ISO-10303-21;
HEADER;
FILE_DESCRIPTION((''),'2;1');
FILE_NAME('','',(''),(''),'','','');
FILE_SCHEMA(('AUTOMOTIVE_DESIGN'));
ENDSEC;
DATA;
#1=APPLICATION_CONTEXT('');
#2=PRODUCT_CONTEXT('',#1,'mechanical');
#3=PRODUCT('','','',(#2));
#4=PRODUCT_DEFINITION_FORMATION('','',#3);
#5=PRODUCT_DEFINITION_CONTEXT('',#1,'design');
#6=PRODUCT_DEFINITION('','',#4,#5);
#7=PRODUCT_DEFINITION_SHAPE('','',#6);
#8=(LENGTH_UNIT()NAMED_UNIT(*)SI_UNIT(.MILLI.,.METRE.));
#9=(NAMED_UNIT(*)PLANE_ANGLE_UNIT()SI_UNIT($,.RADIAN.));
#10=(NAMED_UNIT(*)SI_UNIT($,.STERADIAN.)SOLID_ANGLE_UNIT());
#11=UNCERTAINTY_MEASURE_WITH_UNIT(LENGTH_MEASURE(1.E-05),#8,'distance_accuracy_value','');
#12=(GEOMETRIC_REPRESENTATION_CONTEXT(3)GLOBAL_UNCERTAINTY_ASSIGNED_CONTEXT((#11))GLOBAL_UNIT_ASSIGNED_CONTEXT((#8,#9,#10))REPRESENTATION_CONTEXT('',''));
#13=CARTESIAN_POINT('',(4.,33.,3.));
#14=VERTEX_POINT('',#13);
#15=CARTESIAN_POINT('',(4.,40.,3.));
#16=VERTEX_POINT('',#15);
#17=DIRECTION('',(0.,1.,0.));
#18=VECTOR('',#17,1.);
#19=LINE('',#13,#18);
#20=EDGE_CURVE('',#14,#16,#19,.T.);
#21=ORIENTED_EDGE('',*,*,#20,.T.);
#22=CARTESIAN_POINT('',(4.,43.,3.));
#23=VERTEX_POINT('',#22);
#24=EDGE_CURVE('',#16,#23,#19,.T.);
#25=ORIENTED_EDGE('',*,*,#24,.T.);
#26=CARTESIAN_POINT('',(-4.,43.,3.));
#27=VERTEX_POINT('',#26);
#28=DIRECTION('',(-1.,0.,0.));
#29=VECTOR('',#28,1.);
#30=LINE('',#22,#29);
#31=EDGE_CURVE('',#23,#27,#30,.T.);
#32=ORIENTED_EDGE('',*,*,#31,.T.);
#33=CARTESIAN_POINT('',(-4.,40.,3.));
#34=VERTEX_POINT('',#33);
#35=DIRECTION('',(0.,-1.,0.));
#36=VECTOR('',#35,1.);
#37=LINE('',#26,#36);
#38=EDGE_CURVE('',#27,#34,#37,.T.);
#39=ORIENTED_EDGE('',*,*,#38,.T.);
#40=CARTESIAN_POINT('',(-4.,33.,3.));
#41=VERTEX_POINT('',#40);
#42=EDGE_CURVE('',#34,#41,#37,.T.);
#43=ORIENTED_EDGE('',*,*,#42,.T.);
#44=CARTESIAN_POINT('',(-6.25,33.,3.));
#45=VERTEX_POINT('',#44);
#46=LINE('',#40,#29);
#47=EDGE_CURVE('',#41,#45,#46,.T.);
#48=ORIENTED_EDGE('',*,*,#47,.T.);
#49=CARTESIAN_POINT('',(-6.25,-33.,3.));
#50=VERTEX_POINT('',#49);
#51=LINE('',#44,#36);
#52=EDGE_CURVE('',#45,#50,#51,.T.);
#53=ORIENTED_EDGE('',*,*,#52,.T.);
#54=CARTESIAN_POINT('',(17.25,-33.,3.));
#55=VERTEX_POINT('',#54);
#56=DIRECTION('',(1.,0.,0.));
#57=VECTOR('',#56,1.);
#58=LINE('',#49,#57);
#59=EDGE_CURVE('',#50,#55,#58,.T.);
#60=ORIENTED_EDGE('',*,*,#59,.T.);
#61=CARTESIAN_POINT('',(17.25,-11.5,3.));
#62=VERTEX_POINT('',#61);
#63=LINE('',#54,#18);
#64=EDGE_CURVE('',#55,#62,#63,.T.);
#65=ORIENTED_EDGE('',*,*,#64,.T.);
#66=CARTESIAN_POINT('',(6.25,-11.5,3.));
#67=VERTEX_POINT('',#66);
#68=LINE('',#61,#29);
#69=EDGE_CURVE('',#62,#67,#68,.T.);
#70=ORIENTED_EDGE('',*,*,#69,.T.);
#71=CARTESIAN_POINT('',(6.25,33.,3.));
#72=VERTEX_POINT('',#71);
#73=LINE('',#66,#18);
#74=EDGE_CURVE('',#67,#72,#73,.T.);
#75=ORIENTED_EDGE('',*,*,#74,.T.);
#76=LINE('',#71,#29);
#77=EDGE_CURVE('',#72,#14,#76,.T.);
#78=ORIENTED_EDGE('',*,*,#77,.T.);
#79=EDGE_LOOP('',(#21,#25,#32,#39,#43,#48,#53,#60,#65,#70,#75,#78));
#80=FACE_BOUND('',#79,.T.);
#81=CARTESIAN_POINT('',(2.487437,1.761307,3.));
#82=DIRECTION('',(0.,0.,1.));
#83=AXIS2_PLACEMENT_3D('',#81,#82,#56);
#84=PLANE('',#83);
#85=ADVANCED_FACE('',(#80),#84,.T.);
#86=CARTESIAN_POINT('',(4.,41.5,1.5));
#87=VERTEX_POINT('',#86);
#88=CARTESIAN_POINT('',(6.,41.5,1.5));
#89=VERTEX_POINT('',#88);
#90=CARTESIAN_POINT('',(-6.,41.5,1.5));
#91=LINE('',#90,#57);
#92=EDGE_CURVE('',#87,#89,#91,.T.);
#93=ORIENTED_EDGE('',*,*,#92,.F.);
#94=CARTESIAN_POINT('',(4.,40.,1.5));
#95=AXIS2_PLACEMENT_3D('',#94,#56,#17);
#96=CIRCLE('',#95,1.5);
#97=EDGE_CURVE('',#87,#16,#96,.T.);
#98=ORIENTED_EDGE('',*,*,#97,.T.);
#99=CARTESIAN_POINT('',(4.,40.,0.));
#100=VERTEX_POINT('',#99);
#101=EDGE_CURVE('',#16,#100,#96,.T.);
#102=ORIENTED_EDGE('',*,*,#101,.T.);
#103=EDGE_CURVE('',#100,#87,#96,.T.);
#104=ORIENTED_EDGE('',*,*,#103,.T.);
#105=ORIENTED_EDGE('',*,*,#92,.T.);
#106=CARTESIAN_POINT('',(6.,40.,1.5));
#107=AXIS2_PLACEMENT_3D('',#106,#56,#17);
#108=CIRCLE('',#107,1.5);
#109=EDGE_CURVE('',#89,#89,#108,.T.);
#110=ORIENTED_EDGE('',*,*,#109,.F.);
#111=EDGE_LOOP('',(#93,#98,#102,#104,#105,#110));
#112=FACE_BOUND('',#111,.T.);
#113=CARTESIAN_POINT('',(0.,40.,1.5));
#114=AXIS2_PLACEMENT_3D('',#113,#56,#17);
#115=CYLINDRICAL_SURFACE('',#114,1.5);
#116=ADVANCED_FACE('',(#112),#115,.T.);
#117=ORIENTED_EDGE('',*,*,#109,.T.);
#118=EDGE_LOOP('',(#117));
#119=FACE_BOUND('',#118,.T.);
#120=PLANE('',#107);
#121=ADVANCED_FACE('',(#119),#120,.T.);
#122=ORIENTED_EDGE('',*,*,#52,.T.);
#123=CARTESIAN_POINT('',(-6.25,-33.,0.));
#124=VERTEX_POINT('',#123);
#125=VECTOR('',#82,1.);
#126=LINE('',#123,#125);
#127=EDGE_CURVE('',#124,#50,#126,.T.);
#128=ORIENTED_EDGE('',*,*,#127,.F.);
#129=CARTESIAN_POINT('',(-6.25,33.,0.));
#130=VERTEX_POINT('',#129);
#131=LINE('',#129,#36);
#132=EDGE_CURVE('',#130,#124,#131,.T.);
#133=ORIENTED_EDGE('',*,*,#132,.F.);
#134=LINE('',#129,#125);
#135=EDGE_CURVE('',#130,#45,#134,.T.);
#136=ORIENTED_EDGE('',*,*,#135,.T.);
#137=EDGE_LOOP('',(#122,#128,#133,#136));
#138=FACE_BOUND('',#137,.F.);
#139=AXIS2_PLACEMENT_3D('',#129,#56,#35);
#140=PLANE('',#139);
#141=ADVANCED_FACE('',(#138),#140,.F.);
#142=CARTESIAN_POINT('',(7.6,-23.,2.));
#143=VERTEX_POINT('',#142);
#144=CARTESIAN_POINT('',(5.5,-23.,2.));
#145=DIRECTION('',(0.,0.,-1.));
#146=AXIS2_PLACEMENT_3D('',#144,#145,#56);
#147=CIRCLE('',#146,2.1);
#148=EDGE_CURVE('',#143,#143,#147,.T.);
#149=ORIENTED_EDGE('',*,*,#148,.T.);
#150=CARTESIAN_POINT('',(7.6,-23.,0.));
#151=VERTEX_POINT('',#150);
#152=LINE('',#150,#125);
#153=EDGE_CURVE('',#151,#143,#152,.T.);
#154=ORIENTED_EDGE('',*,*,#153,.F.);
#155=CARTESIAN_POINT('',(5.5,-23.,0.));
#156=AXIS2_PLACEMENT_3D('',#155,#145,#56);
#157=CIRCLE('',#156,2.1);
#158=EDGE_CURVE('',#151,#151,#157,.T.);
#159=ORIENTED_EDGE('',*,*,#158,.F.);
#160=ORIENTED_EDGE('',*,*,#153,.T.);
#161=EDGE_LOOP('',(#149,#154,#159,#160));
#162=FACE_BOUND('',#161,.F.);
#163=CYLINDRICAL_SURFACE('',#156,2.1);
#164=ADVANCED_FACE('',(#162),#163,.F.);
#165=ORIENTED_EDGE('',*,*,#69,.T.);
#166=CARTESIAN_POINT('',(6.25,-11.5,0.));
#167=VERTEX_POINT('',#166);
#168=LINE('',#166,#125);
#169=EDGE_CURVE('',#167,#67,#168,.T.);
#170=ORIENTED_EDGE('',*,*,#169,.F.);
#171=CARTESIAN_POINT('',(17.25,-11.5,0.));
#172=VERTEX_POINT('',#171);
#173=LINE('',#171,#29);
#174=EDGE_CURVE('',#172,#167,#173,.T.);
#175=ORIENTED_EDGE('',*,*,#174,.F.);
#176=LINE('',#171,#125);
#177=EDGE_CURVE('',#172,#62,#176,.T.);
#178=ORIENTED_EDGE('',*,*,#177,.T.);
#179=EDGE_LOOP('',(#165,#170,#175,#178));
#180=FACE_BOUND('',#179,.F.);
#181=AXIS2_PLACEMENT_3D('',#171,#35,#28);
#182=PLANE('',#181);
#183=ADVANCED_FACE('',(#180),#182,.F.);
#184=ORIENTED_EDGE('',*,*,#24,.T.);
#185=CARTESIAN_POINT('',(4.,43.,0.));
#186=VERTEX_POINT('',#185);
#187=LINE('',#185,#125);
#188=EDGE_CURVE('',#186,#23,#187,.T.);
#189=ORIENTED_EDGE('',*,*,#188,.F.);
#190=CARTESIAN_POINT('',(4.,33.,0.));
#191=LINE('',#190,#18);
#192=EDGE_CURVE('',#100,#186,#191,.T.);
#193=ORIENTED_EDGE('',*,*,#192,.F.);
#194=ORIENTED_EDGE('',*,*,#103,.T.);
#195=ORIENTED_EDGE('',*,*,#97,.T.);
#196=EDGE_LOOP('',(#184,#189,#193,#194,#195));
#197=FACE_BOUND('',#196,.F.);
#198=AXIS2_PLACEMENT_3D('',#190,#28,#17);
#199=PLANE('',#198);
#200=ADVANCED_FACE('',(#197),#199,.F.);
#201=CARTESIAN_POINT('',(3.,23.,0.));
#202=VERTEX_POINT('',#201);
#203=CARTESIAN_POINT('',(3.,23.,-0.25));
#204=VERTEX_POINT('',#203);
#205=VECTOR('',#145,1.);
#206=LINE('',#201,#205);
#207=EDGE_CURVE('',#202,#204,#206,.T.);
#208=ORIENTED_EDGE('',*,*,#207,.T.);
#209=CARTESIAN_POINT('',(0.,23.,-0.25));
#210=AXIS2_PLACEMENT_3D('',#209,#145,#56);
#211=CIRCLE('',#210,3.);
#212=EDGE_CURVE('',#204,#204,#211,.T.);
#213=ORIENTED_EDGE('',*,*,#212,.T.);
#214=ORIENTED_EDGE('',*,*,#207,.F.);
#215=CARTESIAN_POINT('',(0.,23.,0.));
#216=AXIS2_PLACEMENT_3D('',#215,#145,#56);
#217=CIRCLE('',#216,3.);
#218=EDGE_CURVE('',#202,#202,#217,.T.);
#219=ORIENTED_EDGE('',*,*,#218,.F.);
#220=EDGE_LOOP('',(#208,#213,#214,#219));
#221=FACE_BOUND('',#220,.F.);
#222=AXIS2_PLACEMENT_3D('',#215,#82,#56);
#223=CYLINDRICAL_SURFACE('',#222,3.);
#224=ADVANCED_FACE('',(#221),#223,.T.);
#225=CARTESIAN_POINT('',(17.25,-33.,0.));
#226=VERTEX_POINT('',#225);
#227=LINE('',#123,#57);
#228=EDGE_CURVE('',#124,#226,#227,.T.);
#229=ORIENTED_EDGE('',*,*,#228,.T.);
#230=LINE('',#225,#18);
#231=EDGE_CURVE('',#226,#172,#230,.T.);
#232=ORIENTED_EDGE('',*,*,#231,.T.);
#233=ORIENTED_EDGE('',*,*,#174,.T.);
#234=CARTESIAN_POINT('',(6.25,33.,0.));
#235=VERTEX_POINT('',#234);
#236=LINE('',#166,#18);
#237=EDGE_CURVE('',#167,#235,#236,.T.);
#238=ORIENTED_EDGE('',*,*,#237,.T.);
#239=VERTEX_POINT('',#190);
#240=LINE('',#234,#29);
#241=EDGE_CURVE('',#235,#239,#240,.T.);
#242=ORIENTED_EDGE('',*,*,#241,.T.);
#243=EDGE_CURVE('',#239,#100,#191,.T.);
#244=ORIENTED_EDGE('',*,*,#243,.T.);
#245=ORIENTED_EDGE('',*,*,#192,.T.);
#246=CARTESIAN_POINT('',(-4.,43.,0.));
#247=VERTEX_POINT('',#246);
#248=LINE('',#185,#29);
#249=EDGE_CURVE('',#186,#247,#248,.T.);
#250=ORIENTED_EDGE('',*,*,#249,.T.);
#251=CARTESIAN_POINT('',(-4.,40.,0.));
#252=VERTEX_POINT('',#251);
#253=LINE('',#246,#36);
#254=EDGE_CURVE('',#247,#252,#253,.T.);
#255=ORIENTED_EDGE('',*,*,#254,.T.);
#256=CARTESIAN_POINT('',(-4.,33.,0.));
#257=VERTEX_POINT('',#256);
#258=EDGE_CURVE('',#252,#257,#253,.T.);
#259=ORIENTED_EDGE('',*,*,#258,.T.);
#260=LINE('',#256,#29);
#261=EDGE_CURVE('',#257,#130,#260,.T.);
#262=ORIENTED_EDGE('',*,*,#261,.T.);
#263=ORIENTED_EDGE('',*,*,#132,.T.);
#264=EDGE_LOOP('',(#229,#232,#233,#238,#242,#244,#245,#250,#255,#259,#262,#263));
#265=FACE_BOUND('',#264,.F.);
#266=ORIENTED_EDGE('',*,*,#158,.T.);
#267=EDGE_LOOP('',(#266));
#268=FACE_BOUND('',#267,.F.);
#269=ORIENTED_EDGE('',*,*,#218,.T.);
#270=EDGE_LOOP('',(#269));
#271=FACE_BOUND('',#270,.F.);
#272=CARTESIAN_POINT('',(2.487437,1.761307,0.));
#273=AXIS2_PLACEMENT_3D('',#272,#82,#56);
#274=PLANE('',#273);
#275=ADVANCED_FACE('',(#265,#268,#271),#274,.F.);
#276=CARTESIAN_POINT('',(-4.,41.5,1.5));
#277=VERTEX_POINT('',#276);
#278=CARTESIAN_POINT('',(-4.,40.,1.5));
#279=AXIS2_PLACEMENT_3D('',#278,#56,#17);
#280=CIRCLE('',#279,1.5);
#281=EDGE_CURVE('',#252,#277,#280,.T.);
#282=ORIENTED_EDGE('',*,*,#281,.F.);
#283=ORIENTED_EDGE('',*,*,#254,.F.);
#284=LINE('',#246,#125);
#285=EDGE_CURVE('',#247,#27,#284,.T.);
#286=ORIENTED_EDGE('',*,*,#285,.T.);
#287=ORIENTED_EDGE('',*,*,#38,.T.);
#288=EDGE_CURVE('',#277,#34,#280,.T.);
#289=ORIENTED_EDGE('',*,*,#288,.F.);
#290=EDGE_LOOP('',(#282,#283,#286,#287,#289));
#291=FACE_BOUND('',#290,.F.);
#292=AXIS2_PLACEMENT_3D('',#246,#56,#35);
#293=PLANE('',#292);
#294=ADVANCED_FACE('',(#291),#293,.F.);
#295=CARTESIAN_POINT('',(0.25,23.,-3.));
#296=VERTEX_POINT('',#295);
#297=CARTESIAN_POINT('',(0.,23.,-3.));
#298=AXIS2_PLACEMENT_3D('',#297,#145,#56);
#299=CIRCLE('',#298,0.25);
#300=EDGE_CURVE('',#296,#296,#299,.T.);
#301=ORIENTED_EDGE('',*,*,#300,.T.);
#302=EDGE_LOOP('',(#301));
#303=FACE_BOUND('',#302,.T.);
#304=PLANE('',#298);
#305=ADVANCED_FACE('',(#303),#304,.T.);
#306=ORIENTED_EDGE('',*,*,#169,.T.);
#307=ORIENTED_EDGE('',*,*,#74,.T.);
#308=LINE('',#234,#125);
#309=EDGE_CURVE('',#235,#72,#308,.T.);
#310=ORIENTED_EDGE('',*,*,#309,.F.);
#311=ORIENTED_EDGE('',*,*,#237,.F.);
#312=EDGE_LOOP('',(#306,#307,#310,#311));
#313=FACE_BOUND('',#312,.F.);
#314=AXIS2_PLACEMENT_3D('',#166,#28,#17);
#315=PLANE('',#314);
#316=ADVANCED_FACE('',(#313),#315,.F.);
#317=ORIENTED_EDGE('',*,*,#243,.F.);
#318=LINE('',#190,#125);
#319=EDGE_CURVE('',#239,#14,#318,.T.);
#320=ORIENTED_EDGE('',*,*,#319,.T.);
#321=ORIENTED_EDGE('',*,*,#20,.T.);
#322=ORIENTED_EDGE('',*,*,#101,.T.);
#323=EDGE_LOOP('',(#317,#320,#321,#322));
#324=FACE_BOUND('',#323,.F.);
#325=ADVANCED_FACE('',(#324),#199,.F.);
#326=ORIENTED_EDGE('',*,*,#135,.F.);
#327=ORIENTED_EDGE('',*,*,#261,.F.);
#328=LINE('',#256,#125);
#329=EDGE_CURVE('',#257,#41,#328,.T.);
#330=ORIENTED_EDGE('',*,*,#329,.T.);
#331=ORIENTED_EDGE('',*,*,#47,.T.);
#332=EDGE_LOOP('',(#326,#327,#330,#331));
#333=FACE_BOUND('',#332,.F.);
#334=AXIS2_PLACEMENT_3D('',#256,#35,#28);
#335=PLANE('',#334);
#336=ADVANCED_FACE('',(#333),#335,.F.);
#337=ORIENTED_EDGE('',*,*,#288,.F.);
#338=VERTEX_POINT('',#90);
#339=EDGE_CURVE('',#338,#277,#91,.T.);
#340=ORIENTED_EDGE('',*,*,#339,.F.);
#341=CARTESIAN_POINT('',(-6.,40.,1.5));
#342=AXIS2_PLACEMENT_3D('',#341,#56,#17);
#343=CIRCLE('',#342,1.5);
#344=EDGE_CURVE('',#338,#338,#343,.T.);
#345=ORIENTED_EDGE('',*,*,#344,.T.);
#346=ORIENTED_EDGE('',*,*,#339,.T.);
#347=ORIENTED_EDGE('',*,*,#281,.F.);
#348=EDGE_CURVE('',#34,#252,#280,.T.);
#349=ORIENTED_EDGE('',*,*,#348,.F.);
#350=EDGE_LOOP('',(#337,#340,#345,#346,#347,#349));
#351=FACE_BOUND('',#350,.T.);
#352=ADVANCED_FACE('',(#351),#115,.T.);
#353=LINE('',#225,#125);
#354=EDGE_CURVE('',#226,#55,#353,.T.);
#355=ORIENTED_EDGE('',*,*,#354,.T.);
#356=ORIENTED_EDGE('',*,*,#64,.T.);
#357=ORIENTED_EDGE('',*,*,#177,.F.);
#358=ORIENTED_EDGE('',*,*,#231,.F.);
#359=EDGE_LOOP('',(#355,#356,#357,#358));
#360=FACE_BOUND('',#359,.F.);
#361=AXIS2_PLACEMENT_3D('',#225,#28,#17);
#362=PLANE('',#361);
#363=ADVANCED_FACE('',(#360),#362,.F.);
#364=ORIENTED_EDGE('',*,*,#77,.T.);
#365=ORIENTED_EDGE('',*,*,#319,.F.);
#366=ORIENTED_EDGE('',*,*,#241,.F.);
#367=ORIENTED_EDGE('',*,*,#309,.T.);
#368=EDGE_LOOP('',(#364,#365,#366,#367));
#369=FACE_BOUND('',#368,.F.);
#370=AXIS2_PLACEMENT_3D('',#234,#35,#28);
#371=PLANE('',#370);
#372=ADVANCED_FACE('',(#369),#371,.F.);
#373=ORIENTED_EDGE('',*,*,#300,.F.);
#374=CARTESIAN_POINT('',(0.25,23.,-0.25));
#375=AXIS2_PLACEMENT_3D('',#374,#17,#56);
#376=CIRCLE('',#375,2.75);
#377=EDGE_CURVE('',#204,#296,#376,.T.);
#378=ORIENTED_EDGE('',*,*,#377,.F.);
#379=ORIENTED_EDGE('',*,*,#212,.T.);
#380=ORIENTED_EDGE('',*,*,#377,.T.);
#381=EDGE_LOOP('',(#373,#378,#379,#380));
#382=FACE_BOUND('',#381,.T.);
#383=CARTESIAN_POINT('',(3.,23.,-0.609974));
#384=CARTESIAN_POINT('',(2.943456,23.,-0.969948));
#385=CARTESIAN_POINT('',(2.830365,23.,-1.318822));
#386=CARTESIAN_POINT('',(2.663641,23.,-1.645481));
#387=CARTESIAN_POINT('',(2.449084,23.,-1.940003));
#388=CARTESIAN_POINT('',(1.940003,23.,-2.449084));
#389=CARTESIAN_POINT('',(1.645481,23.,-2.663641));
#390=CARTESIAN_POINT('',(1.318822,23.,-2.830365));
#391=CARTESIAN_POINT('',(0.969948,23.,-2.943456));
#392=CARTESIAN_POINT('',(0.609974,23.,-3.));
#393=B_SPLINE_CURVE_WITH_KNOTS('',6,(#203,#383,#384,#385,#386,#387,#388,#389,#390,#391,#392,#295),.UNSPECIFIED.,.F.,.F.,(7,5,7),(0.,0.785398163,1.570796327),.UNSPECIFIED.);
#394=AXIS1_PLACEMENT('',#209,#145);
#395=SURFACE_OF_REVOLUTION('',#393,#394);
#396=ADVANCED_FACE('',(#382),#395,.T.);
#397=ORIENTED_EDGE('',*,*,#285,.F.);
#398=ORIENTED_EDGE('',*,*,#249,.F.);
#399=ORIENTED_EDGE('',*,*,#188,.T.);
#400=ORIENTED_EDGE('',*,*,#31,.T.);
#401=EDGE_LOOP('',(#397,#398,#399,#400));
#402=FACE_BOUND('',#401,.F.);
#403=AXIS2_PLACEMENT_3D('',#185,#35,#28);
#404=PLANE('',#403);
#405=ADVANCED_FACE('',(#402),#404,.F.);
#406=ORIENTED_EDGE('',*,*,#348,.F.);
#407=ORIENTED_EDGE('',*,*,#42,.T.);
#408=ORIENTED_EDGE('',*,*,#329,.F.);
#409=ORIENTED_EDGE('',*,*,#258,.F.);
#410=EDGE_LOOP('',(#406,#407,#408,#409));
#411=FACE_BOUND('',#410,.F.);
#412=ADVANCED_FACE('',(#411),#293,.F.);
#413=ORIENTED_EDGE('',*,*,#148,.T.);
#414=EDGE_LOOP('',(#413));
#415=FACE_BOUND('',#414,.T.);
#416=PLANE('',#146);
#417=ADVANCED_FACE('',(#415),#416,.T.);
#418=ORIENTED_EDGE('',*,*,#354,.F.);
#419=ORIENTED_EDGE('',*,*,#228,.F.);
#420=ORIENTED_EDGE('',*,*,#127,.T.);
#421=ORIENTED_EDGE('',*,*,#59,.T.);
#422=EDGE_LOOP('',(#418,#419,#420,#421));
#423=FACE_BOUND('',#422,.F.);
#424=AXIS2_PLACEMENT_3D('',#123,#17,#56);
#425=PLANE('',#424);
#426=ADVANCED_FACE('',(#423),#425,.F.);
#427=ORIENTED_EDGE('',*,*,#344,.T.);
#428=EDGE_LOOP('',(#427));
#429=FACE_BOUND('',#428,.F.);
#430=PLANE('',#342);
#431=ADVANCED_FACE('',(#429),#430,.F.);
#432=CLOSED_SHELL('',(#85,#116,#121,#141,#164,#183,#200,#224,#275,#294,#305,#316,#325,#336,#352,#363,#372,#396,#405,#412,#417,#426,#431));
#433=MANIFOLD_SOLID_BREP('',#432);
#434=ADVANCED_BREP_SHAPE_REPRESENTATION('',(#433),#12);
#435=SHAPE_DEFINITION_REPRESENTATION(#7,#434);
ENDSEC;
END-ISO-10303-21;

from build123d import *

# Parameters (mm, degrees)
PAD_DEPTH    = 3
SKETCH001_R  = 1.5
PAD001_DEPTH = 6
SKETCH002_R  = 2.1
POCKET_DEPTH = 2
SKETCH003_R  = 3
PAD002_DEPTH = 3
FILLET_R     = 2.75


with BuildPart() as part:
    # Sketch → Pad (new body)
    with BuildSketch(Plane.XY):
        Polygon((-6.25, 33), (-6.25, -33), (17.25, -33), (17.25, -11.5), (6.25, -11.5), (6.25, 33), (4, 33), (4, 43), (-4, 43), (-4, 33), align=None)
    extrude(amount=PAD_DEPTH)

    # Sketch001 → Pad001 (join, symmetric)
    with BuildSketch(Plane.YZ):
        with Locations((40, 1.5)):
            Circle(SKETCH001_R)
    extrude(amount=PAD001_DEPTH, both=True)

    # Sketch002 (on Face4 of Pad001) → Pocket (cut)
    with BuildSketch(Plane(origin=(0, 0, 0), x_dir=(1, 0, 0), z_dir=(0, 0, -1))):
        with Locations((5.5, 23)):
            Circle(SKETCH002_R)
    extrude(amount=-POCKET_DEPTH, mode=Mode.SUBTRACT)

    # Sketch003 (on Face4 of Pocket) → Pad002 (join)
    with BuildSketch(Plane(origin=(0, 0, 0), x_dir=(1, 0, 0), z_dir=(0, 0, -1))):
        with Locations((0, -23)):
            Circle(SKETCH003_R)
    extrude(amount=PAD002_DEPTH)

    # Fillet
    fillet_edges = [part.edges().sort_by_distance(p)[0] for p in [
        (-3, 23, -3),
    ]]
    fillet(fillet_edges, radius=FILLET_R)


solid = part.part
